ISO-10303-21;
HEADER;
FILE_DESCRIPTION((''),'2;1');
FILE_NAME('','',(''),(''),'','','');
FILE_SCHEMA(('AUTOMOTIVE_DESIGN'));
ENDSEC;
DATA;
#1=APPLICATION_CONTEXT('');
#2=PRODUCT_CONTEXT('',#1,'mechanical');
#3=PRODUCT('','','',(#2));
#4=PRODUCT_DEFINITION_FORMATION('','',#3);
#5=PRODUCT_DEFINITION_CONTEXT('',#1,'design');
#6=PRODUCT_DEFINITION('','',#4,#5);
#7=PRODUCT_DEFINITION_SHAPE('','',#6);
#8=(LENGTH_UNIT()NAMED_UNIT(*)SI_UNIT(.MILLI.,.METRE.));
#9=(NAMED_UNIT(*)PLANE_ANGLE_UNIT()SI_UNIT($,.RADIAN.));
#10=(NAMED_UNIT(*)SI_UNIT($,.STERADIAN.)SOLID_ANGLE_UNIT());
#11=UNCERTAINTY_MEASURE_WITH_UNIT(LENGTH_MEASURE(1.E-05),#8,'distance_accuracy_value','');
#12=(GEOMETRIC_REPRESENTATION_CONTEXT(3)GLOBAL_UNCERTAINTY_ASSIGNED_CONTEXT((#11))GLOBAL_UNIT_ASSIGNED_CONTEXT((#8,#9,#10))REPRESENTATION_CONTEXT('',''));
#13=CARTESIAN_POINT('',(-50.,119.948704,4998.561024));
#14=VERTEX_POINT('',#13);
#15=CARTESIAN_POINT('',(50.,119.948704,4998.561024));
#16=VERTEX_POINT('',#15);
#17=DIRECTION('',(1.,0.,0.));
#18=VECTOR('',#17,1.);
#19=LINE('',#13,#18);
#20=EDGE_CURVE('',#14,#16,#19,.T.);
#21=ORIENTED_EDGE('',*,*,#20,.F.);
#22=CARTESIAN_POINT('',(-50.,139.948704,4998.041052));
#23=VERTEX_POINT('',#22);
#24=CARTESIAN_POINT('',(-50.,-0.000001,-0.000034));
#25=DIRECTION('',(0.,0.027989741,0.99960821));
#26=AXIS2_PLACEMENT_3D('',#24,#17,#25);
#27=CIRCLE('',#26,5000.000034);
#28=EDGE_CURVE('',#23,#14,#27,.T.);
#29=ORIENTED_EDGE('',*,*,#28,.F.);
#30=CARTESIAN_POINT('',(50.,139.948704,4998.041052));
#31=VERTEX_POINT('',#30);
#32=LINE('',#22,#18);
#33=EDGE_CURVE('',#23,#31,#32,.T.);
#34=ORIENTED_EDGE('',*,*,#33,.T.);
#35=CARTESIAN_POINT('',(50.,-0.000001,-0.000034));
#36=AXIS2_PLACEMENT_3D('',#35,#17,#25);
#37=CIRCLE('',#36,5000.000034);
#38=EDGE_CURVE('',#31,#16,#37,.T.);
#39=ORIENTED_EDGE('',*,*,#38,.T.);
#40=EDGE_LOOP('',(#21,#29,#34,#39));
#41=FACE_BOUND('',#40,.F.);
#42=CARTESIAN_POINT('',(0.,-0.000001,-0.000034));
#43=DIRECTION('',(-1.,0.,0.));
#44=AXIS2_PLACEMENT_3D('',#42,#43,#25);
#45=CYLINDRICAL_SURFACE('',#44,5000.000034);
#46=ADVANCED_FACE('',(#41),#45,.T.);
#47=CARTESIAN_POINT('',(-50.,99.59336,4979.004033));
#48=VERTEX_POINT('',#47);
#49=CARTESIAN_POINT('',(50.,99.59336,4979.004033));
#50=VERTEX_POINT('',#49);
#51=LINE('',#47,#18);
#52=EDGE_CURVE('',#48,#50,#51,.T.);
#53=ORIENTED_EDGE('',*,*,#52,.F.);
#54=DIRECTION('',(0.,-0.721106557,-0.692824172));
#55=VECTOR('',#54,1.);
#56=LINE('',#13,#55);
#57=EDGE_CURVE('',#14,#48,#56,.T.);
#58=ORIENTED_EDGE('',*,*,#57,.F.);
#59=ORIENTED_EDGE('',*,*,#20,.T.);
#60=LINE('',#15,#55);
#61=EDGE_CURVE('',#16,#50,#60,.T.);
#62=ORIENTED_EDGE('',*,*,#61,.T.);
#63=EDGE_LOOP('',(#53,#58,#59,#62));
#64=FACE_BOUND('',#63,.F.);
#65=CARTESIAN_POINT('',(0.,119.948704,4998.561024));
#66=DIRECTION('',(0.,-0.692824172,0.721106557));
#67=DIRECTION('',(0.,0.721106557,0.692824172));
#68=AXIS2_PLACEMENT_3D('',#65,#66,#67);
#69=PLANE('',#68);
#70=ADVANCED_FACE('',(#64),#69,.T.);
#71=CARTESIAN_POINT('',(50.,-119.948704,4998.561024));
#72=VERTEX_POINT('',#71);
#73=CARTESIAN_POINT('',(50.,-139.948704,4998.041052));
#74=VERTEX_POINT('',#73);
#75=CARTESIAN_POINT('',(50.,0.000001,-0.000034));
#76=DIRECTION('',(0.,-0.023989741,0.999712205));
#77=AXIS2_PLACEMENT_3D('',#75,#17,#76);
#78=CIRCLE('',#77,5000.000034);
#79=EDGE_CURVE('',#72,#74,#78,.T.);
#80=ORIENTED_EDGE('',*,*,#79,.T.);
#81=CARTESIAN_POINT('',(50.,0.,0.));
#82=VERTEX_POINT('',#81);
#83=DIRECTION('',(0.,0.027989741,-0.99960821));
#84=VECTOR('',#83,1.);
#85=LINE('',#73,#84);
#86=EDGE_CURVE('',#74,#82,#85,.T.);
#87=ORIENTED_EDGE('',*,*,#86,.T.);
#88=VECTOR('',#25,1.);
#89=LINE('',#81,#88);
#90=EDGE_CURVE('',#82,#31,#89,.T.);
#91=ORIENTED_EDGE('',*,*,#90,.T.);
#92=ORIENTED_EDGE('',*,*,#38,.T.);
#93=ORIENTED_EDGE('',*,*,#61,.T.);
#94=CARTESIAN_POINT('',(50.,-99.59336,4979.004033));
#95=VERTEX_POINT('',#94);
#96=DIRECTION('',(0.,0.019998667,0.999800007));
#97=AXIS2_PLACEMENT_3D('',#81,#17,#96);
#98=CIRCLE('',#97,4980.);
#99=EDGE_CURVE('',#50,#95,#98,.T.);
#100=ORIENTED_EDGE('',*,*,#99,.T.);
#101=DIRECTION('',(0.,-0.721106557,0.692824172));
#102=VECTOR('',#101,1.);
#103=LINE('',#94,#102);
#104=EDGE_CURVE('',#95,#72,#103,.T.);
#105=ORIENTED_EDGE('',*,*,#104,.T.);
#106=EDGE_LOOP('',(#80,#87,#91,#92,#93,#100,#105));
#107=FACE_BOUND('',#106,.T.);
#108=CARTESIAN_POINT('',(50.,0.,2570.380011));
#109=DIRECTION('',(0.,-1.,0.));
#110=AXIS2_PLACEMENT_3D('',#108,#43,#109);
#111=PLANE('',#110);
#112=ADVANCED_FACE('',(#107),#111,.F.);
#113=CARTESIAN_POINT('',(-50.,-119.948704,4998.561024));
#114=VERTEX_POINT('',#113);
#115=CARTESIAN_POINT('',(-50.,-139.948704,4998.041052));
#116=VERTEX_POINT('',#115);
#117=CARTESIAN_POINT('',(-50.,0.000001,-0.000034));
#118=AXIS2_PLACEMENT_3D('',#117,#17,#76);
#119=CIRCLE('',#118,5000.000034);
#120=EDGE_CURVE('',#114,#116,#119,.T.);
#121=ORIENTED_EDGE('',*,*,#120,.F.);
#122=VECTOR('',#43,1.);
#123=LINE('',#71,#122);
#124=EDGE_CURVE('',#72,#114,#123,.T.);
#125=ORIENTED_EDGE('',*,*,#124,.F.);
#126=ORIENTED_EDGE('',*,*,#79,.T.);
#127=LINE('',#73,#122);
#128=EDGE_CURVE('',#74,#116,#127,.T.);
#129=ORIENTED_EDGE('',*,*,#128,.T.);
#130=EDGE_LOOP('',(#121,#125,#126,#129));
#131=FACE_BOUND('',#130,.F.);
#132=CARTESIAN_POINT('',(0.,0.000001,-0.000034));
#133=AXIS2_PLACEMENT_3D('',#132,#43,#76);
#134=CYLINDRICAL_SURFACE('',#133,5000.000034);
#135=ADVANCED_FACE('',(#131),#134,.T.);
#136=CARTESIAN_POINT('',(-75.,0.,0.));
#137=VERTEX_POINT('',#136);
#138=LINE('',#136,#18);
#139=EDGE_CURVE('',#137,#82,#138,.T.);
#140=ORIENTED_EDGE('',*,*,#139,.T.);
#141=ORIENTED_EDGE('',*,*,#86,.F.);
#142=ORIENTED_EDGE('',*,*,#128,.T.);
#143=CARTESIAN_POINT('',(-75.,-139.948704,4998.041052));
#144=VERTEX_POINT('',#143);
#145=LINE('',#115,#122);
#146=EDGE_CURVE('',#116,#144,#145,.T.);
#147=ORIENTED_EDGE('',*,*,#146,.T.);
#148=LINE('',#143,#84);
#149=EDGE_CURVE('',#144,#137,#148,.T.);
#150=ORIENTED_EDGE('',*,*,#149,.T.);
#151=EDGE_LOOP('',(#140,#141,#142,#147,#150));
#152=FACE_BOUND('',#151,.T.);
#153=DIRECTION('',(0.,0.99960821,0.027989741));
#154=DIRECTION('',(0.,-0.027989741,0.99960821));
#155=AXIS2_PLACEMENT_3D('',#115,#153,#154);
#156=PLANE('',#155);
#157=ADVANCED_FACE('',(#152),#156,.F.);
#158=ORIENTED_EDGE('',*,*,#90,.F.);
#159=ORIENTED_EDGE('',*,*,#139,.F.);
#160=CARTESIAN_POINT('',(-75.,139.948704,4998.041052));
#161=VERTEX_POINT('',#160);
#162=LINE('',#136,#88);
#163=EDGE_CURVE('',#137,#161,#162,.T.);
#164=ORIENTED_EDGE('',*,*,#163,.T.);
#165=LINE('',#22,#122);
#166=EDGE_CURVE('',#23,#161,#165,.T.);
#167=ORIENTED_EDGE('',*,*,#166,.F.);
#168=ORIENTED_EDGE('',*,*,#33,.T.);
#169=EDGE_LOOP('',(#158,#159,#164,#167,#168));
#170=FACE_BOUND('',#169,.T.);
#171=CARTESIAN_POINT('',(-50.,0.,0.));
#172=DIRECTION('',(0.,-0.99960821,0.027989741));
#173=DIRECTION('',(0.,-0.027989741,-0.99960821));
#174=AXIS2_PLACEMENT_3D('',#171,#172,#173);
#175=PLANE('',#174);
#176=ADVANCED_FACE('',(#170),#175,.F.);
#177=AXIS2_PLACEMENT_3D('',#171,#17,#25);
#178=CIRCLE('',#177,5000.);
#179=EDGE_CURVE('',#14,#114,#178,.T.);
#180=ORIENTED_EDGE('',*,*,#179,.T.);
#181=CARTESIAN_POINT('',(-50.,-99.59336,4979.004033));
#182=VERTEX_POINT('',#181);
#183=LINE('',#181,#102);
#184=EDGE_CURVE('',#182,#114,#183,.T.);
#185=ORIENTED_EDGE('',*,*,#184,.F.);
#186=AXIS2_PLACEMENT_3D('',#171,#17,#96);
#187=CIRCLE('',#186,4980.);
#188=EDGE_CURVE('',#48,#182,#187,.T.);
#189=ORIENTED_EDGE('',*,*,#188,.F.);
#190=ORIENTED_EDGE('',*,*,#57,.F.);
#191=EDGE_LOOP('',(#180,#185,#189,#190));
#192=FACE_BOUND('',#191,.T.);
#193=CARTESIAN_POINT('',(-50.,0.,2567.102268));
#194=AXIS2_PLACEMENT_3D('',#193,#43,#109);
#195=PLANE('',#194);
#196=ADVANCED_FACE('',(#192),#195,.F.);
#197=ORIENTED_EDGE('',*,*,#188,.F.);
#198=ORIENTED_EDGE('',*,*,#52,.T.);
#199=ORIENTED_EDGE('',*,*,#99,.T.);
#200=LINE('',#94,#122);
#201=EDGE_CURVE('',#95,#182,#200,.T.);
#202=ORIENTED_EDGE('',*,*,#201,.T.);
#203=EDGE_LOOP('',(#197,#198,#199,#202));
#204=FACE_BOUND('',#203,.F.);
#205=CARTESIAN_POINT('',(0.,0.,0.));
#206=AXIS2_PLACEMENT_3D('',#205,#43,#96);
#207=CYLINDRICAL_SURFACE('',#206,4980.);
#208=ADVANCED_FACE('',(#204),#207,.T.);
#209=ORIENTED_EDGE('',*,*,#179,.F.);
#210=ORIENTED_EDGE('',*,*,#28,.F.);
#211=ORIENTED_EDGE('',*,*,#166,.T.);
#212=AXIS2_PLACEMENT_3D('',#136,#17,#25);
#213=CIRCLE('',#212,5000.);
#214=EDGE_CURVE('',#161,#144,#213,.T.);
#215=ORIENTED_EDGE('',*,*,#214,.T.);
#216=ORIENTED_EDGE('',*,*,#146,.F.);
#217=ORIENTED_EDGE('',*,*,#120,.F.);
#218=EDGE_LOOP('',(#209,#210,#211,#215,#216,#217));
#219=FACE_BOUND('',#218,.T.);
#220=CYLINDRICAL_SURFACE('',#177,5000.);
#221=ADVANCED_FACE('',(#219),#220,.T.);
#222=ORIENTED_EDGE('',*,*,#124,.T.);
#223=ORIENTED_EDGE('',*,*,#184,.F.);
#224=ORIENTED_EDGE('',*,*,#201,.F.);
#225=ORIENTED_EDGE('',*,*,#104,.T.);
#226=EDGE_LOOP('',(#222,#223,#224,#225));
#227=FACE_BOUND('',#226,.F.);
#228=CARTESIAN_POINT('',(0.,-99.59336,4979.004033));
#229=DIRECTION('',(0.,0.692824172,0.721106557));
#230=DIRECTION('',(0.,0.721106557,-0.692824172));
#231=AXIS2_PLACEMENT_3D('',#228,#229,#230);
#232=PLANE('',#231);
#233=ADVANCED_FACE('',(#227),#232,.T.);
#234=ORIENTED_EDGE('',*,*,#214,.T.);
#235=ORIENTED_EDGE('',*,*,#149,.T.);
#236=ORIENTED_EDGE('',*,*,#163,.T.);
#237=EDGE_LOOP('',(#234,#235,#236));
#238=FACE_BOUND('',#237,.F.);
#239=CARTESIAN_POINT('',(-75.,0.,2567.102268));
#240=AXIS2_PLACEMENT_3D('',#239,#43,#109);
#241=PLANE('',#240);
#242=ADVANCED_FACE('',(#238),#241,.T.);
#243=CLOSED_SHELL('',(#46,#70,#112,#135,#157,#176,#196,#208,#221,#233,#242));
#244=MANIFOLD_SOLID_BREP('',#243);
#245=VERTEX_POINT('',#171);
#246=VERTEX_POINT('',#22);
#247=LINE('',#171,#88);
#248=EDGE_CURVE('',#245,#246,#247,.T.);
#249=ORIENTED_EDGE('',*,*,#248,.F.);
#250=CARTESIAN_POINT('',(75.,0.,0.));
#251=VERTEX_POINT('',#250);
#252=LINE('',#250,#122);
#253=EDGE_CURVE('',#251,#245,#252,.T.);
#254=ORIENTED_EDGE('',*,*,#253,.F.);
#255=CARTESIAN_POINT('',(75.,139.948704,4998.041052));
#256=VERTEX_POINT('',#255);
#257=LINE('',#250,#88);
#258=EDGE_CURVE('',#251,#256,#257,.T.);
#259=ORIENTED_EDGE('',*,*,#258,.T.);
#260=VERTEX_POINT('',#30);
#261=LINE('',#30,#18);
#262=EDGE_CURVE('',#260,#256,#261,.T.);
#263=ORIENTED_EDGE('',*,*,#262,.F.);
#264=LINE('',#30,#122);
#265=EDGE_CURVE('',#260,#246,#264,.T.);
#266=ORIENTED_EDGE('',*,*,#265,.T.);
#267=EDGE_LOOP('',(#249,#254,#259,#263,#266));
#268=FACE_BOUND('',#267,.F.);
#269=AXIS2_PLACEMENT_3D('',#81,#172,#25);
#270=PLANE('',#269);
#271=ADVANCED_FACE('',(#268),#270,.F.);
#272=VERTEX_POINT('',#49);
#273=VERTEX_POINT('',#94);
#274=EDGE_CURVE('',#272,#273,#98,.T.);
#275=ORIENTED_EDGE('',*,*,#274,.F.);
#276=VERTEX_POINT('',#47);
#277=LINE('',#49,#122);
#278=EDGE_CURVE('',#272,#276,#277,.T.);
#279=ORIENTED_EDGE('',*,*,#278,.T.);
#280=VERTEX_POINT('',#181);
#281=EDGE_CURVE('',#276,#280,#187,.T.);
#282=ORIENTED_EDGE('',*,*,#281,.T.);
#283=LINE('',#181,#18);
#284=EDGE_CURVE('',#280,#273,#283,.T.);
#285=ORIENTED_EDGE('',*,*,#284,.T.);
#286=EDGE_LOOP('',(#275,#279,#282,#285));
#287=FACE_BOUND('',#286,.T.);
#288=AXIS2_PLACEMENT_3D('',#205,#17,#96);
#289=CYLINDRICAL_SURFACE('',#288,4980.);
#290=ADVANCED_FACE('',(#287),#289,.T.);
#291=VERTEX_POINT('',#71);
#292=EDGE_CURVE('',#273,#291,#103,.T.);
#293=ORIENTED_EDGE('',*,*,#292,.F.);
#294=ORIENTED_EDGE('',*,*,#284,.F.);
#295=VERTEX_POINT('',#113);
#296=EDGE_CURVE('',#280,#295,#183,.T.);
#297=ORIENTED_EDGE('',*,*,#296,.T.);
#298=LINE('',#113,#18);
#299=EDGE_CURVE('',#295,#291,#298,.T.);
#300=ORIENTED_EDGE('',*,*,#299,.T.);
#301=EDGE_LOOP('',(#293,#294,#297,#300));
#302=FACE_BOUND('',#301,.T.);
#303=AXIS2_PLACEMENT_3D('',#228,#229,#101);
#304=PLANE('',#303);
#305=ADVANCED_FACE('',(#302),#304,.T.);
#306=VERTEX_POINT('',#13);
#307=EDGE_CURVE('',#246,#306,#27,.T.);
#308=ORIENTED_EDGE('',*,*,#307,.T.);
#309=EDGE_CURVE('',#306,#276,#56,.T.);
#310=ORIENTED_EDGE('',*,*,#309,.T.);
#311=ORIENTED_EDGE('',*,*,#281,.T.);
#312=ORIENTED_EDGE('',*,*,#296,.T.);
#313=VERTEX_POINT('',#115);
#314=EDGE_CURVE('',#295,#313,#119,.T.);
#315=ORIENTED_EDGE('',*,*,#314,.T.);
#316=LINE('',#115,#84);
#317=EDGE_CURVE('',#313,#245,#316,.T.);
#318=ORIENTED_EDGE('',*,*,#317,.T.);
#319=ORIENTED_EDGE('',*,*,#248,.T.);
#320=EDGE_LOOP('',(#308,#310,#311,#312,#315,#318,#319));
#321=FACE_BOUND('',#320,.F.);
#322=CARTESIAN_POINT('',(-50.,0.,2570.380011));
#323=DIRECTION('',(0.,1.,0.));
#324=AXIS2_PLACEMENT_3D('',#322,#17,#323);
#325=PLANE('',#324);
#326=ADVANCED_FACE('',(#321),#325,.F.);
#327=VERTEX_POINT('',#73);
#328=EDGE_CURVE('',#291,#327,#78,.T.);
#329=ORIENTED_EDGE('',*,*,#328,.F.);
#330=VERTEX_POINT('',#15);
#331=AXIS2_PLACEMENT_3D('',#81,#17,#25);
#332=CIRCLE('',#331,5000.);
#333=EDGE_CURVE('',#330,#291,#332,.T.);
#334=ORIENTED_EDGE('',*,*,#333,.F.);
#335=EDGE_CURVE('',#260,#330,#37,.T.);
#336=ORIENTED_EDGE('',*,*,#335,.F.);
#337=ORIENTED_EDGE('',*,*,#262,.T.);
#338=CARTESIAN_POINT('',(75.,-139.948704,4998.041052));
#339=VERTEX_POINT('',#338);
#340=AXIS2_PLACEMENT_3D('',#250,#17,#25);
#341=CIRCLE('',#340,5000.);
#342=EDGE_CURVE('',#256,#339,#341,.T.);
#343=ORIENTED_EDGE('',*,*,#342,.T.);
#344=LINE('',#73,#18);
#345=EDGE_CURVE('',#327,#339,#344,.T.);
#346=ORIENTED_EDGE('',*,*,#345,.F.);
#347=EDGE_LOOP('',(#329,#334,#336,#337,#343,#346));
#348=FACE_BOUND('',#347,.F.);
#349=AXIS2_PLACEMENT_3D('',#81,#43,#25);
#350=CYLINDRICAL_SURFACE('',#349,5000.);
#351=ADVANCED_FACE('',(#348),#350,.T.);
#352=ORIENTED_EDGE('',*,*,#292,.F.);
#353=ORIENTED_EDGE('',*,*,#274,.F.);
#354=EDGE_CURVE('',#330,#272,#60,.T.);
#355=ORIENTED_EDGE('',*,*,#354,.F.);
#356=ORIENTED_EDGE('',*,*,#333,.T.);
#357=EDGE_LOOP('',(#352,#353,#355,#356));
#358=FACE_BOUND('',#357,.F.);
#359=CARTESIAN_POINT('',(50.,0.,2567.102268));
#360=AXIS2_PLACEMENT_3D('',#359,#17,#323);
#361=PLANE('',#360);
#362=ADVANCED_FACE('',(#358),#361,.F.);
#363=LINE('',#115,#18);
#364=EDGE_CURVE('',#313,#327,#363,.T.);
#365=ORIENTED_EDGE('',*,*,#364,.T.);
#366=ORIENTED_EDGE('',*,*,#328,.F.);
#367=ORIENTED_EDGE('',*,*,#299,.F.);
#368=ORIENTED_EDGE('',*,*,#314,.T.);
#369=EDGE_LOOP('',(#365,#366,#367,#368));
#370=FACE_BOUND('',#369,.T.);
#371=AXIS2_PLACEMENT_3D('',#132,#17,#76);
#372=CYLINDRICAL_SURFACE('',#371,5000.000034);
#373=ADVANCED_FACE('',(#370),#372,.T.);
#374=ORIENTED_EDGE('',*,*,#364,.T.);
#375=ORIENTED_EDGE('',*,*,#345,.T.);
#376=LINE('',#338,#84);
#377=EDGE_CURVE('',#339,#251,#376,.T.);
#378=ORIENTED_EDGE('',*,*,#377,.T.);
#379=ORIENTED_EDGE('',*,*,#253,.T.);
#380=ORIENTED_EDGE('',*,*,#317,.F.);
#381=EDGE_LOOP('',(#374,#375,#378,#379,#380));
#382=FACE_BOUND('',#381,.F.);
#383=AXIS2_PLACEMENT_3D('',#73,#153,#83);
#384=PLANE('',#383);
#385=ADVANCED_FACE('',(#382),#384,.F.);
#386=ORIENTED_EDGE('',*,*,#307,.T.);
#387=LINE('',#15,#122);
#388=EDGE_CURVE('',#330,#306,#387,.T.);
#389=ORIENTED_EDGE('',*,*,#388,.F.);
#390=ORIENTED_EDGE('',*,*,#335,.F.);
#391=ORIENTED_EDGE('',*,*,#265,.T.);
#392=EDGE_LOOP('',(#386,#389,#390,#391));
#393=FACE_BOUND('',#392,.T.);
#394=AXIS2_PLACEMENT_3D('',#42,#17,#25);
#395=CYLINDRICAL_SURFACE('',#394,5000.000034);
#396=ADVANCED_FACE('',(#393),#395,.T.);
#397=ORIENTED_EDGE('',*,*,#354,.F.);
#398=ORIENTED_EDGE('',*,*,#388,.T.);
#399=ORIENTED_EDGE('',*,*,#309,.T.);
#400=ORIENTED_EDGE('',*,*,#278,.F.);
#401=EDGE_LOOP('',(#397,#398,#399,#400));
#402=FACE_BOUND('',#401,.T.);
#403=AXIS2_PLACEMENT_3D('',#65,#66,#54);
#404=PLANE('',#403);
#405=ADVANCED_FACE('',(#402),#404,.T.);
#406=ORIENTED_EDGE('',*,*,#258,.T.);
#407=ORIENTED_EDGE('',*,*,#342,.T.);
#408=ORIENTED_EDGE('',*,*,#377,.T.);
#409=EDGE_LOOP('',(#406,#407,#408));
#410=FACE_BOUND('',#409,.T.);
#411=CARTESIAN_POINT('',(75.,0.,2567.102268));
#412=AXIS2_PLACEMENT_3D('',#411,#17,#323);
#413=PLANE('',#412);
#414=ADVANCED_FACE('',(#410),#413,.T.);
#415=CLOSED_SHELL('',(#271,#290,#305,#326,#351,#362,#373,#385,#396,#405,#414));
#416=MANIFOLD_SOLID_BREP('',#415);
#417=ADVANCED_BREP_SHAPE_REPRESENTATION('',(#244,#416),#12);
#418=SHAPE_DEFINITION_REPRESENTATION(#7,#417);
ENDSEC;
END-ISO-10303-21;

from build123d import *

# Parameters (mm, degrees)
F1_DEPTH = 50
F3_DEPTH = 25


with BuildPart() as f1:
    # F0 (on Right) → F1 (new body, symmetric)
    with BuildSketch(Plane.YZ):
        with BuildLine():
            ThreePointArc((99.5933601328, 4979.0040331996), (49.7991700041, 4979.751002075), (0, 4980))
            ThreePointArc((0, 4980), (-49.7991700041, 4979.751002075), (-99.5933601328, 4979.0040331996))
            Line((-99.5933601328, 4979.0040331996), (-119.9487038483, 4998.5610237793))
            ThreePointArc((-119.9487038483, 4998.5610237793), (-129.9489639222, 4998.3110414194), (-139.9487038483, 4998.0410522815))
            Line((-139.9487038483, 4998.0410522815), (0, 0))
            Line((0, 0), (139.9487038483, 4998.0410522815))
            ThreePointArc((139.9487038483, 4998.0410522815), (129.9489639222, 4998.3110414194), (119.9487038483, 4998.5610237793))
            Line((119.9487038483, 4998.5610237793), (99.5933601328, 4979.0040331996))
        make_face()
    extrude(amount=F1_DEPTH, both=True)

    # F2 (on face) → F3 (join)
    with BuildSketch(Plane.YZ.offset(50)):
        with BuildLine():
            Line((0, 0), (139.9487038483, 4998.0410522815))
            ThreePointArc((139.9487038483, 4998.0410522815), (0, 5000), (-139.9487038483, 4998.0410522815))
            Line((-139.9487038483, 4998.0410522815), (0, 0))
        make_face()
    extrude(amount=F3_DEPTH)


with BuildPart() as f4_1:
    # F4: instance of F1
    add(f1.part.mirror(Plane.YZ))


solid = Compound([f1.part, f4_1.part])
